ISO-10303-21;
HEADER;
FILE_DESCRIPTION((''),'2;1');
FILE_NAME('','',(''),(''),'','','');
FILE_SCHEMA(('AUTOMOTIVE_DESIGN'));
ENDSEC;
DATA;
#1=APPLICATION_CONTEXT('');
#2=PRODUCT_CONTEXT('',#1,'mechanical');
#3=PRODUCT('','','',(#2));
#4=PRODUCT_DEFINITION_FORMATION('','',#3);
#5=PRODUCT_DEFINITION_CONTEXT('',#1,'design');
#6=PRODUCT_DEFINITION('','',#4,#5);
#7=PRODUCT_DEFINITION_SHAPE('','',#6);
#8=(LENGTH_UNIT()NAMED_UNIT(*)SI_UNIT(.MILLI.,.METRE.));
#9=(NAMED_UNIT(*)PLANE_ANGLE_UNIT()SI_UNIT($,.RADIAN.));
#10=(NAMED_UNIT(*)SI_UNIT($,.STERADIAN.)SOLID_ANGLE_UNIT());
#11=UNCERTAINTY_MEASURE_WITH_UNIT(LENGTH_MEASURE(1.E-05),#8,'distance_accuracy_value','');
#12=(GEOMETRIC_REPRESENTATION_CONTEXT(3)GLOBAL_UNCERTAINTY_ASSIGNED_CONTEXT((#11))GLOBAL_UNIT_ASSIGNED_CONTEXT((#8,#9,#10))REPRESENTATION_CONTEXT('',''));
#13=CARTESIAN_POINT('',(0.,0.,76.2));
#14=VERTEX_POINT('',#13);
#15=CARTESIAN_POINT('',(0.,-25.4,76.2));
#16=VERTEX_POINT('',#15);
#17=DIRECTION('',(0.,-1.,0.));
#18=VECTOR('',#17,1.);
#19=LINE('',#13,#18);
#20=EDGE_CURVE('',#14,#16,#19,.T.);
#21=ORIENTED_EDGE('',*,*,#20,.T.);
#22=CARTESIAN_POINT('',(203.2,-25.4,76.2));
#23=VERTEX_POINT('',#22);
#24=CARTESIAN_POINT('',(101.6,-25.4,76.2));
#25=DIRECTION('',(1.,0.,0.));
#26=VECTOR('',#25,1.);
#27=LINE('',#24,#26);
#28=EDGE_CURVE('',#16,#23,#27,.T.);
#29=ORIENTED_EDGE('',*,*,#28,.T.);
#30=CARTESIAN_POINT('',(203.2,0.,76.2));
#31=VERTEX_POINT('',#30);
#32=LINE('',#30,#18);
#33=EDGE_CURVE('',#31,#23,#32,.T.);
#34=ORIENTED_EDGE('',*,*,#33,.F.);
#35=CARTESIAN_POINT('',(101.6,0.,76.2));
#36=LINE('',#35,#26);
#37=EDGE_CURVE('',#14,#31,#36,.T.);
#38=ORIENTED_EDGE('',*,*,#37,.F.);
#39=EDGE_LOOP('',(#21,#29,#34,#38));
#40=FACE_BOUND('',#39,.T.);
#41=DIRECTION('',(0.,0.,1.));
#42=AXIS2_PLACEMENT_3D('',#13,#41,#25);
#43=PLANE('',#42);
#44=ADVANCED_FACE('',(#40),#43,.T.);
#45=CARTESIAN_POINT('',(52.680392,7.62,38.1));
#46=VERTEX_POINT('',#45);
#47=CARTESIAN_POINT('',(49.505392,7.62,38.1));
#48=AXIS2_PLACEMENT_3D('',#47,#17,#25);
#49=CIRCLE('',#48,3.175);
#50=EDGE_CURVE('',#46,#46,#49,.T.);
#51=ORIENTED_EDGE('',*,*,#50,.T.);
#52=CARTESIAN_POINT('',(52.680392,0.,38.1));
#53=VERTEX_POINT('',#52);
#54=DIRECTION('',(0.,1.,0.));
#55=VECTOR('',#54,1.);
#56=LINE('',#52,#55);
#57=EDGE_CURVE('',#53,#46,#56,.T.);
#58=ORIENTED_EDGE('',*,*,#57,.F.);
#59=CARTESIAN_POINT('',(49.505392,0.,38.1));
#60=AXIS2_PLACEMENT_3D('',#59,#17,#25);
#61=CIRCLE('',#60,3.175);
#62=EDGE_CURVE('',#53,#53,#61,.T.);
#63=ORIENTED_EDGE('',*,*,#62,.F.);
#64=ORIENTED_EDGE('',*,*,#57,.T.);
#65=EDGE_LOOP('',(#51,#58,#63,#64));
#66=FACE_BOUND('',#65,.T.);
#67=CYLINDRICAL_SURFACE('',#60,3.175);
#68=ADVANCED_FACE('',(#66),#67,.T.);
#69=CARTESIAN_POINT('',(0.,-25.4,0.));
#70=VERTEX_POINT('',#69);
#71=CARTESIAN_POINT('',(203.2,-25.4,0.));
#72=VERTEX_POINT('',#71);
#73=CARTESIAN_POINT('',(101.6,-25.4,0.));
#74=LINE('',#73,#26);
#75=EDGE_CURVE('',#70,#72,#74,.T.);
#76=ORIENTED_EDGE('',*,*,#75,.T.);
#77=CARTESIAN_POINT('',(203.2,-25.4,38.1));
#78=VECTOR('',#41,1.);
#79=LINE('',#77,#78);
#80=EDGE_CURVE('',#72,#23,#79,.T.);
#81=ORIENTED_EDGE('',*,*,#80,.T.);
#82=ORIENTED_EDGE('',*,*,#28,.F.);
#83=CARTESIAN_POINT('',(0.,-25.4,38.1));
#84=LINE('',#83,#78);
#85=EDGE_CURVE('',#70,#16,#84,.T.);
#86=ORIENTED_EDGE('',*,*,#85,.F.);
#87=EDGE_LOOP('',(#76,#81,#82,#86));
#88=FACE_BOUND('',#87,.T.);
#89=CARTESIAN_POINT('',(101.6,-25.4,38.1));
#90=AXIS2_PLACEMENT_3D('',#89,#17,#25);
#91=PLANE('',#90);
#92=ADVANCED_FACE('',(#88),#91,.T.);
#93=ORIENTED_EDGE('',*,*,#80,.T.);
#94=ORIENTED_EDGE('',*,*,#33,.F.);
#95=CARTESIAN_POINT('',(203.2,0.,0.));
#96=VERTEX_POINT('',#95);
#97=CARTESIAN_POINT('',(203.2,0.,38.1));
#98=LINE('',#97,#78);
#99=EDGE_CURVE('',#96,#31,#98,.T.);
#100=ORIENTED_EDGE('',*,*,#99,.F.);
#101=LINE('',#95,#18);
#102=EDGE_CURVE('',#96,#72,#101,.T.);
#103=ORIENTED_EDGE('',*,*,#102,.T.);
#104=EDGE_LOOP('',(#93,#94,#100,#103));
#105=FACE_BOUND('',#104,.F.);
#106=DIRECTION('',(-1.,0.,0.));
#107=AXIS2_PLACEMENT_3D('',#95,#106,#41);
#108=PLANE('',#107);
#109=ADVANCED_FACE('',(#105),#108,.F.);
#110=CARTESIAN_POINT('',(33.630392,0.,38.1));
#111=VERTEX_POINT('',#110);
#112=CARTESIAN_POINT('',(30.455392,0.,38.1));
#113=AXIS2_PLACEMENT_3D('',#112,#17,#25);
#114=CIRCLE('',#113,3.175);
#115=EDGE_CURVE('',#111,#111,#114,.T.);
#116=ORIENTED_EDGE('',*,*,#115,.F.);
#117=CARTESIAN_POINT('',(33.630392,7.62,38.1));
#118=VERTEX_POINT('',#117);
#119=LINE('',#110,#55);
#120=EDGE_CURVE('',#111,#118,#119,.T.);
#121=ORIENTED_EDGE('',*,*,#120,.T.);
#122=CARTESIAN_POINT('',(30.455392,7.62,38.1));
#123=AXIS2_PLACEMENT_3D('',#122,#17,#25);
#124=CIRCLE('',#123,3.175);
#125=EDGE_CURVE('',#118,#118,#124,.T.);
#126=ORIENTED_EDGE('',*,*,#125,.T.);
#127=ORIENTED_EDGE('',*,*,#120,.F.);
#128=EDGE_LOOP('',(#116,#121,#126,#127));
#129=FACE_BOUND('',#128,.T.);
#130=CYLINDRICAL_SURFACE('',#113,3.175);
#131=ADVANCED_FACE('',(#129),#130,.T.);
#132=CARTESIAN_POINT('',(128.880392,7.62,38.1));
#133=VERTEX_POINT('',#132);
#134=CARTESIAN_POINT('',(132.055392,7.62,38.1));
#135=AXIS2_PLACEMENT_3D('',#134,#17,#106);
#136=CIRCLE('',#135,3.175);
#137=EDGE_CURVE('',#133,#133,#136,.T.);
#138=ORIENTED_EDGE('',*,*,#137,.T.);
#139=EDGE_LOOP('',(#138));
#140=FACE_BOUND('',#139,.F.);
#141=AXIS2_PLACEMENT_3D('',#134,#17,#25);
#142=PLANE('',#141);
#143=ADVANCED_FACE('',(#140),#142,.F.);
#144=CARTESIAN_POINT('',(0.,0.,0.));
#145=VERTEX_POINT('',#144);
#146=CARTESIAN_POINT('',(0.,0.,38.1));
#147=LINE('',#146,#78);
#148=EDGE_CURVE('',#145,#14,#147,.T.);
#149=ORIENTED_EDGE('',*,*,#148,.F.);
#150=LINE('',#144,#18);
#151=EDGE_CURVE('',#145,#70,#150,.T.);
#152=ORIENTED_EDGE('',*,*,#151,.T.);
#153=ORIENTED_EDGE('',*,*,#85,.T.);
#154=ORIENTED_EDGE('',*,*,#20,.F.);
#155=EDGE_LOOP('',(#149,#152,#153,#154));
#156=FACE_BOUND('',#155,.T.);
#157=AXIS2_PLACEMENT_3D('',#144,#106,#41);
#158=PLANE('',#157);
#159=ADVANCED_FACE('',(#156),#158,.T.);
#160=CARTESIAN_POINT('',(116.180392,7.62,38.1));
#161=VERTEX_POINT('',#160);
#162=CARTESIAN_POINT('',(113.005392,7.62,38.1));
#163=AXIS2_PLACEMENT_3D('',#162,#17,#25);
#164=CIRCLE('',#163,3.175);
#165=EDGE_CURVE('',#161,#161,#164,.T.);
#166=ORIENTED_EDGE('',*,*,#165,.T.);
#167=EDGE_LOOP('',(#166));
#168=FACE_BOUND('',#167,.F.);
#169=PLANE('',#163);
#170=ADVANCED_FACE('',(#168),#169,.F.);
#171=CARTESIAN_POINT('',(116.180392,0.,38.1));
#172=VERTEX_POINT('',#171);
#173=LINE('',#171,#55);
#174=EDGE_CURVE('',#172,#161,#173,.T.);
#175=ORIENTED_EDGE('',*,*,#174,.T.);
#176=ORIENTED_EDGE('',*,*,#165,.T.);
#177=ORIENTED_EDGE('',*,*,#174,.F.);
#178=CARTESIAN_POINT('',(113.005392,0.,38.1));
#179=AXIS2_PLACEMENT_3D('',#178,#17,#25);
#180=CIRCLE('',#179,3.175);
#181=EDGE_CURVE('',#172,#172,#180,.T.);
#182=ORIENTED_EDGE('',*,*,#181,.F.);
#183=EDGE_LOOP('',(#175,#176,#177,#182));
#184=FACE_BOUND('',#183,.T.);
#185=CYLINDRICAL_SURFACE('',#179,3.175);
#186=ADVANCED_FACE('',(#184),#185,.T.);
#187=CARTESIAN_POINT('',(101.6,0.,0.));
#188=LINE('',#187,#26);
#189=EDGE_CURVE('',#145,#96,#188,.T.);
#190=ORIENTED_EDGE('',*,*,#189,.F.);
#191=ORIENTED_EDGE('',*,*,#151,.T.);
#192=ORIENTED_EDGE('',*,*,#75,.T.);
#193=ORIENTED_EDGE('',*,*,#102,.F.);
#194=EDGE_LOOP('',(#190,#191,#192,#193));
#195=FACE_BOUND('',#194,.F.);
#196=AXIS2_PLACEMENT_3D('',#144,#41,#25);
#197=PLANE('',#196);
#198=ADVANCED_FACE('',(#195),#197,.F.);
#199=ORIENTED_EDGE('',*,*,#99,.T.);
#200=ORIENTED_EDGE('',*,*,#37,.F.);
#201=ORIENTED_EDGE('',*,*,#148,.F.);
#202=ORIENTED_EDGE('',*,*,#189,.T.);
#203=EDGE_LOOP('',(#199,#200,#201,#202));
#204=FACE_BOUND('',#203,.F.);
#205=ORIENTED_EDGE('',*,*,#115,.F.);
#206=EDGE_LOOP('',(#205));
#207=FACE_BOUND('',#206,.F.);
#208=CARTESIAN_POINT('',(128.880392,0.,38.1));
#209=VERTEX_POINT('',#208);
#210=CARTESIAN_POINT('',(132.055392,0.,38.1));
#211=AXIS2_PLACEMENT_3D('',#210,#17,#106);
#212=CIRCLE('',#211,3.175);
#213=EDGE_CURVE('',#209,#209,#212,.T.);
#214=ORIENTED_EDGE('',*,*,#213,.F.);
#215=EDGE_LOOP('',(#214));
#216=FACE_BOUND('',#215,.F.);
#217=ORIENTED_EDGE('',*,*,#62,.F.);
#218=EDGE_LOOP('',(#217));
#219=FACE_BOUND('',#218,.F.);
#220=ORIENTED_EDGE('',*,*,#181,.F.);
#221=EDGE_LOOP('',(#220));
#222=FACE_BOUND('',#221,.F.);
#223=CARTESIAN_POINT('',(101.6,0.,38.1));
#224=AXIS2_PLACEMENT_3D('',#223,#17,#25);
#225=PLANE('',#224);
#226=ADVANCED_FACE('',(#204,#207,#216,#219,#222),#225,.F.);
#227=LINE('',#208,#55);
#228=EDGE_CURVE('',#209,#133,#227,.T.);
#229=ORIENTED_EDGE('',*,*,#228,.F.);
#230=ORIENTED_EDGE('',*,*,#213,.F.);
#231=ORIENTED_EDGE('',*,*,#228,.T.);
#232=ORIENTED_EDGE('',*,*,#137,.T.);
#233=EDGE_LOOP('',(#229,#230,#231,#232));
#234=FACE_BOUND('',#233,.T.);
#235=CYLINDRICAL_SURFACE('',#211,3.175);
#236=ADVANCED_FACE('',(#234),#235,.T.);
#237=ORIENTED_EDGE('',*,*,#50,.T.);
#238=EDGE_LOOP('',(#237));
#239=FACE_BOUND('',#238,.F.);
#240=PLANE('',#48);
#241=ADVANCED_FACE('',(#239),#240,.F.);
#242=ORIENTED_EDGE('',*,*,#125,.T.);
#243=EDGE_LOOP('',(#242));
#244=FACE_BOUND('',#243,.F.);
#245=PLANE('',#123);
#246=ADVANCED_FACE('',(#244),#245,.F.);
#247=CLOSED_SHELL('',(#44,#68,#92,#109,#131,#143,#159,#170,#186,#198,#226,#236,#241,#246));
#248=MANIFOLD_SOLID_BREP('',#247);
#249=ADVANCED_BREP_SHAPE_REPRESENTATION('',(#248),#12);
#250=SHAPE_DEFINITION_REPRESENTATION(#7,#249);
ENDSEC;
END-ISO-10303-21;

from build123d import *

# Parameters (mm, degrees)
F0_W     = 203.2
F0_H     = 76.2
F0_R     = 3.175
F1_DEPTH = 25.4
F2_DEPTH = 7.62


with BuildPart() as f1:
    # F0 (on Front) → F1 (new body)
    with BuildSketch(Plane.XZ):
        with Locations((101.6, 38.1)):
            Rectangle(F0_W, F0_H)
        with Locations((30.455392, 38.1)):
            Circle(F0_R, mode=Mode.SUBTRACT)
        with Locations((49.505392, 38.1)):
            Circle(F0_R, mode=Mode.SUBTRACT)
        with Locations((113.005392, 38.1)):
            Circle(F0_R, mode=Mode.SUBTRACT)
        with BuildLine():
            ThreePointArc((135.230392, 38.1), (132.055392, 34.925), (128.880392, 38.1))
            ThreePointArc((128.880392, 38.1), (132.055392, 41.275), (135.230392, 38.1))
        make_face(mode=Mode.SUBTRACT)
        with Locations((113.005392, 38.1)):
            Circle(F0_R)
        with BuildLine():
            ThreePointArc((135.230392, 38.1), (132.055392, 41.275), (128.880392, 38.1))
            ThreePointArc((128.880392, 38.1), (132.055392, 34.925), (135.230392, 38.1))
        make_face()
        with Locations((49.505392, 38.1)):
            Circle(F0_R)
        with Locations((30.455392, 38.1)):
            Circle(F0_R)
    extrude(amount=F1_DEPTH)

    # F0 (on Front) → F2 (join)
    with BuildSketch(Plane.XZ):
        with BuildLine():
            ThreePointArc((135.230392, 38.1), (132.055392, 41.275), (128.880392, 38.1))
            ThreePointArc((128.880392, 38.1), (132.055392, 34.925), (135.230392, 38.1))
        make_face()
        with Locations((113.005392, 38.1)):
            Circle(F0_R)
        with Locations((49.505392, 38.1)):
            Circle(F0_R)
        with Locations((30.455392, 38.1)):
            Circle(F0_R)
    extrude(amount=-F2_DEPTH)


solid = f1.part
